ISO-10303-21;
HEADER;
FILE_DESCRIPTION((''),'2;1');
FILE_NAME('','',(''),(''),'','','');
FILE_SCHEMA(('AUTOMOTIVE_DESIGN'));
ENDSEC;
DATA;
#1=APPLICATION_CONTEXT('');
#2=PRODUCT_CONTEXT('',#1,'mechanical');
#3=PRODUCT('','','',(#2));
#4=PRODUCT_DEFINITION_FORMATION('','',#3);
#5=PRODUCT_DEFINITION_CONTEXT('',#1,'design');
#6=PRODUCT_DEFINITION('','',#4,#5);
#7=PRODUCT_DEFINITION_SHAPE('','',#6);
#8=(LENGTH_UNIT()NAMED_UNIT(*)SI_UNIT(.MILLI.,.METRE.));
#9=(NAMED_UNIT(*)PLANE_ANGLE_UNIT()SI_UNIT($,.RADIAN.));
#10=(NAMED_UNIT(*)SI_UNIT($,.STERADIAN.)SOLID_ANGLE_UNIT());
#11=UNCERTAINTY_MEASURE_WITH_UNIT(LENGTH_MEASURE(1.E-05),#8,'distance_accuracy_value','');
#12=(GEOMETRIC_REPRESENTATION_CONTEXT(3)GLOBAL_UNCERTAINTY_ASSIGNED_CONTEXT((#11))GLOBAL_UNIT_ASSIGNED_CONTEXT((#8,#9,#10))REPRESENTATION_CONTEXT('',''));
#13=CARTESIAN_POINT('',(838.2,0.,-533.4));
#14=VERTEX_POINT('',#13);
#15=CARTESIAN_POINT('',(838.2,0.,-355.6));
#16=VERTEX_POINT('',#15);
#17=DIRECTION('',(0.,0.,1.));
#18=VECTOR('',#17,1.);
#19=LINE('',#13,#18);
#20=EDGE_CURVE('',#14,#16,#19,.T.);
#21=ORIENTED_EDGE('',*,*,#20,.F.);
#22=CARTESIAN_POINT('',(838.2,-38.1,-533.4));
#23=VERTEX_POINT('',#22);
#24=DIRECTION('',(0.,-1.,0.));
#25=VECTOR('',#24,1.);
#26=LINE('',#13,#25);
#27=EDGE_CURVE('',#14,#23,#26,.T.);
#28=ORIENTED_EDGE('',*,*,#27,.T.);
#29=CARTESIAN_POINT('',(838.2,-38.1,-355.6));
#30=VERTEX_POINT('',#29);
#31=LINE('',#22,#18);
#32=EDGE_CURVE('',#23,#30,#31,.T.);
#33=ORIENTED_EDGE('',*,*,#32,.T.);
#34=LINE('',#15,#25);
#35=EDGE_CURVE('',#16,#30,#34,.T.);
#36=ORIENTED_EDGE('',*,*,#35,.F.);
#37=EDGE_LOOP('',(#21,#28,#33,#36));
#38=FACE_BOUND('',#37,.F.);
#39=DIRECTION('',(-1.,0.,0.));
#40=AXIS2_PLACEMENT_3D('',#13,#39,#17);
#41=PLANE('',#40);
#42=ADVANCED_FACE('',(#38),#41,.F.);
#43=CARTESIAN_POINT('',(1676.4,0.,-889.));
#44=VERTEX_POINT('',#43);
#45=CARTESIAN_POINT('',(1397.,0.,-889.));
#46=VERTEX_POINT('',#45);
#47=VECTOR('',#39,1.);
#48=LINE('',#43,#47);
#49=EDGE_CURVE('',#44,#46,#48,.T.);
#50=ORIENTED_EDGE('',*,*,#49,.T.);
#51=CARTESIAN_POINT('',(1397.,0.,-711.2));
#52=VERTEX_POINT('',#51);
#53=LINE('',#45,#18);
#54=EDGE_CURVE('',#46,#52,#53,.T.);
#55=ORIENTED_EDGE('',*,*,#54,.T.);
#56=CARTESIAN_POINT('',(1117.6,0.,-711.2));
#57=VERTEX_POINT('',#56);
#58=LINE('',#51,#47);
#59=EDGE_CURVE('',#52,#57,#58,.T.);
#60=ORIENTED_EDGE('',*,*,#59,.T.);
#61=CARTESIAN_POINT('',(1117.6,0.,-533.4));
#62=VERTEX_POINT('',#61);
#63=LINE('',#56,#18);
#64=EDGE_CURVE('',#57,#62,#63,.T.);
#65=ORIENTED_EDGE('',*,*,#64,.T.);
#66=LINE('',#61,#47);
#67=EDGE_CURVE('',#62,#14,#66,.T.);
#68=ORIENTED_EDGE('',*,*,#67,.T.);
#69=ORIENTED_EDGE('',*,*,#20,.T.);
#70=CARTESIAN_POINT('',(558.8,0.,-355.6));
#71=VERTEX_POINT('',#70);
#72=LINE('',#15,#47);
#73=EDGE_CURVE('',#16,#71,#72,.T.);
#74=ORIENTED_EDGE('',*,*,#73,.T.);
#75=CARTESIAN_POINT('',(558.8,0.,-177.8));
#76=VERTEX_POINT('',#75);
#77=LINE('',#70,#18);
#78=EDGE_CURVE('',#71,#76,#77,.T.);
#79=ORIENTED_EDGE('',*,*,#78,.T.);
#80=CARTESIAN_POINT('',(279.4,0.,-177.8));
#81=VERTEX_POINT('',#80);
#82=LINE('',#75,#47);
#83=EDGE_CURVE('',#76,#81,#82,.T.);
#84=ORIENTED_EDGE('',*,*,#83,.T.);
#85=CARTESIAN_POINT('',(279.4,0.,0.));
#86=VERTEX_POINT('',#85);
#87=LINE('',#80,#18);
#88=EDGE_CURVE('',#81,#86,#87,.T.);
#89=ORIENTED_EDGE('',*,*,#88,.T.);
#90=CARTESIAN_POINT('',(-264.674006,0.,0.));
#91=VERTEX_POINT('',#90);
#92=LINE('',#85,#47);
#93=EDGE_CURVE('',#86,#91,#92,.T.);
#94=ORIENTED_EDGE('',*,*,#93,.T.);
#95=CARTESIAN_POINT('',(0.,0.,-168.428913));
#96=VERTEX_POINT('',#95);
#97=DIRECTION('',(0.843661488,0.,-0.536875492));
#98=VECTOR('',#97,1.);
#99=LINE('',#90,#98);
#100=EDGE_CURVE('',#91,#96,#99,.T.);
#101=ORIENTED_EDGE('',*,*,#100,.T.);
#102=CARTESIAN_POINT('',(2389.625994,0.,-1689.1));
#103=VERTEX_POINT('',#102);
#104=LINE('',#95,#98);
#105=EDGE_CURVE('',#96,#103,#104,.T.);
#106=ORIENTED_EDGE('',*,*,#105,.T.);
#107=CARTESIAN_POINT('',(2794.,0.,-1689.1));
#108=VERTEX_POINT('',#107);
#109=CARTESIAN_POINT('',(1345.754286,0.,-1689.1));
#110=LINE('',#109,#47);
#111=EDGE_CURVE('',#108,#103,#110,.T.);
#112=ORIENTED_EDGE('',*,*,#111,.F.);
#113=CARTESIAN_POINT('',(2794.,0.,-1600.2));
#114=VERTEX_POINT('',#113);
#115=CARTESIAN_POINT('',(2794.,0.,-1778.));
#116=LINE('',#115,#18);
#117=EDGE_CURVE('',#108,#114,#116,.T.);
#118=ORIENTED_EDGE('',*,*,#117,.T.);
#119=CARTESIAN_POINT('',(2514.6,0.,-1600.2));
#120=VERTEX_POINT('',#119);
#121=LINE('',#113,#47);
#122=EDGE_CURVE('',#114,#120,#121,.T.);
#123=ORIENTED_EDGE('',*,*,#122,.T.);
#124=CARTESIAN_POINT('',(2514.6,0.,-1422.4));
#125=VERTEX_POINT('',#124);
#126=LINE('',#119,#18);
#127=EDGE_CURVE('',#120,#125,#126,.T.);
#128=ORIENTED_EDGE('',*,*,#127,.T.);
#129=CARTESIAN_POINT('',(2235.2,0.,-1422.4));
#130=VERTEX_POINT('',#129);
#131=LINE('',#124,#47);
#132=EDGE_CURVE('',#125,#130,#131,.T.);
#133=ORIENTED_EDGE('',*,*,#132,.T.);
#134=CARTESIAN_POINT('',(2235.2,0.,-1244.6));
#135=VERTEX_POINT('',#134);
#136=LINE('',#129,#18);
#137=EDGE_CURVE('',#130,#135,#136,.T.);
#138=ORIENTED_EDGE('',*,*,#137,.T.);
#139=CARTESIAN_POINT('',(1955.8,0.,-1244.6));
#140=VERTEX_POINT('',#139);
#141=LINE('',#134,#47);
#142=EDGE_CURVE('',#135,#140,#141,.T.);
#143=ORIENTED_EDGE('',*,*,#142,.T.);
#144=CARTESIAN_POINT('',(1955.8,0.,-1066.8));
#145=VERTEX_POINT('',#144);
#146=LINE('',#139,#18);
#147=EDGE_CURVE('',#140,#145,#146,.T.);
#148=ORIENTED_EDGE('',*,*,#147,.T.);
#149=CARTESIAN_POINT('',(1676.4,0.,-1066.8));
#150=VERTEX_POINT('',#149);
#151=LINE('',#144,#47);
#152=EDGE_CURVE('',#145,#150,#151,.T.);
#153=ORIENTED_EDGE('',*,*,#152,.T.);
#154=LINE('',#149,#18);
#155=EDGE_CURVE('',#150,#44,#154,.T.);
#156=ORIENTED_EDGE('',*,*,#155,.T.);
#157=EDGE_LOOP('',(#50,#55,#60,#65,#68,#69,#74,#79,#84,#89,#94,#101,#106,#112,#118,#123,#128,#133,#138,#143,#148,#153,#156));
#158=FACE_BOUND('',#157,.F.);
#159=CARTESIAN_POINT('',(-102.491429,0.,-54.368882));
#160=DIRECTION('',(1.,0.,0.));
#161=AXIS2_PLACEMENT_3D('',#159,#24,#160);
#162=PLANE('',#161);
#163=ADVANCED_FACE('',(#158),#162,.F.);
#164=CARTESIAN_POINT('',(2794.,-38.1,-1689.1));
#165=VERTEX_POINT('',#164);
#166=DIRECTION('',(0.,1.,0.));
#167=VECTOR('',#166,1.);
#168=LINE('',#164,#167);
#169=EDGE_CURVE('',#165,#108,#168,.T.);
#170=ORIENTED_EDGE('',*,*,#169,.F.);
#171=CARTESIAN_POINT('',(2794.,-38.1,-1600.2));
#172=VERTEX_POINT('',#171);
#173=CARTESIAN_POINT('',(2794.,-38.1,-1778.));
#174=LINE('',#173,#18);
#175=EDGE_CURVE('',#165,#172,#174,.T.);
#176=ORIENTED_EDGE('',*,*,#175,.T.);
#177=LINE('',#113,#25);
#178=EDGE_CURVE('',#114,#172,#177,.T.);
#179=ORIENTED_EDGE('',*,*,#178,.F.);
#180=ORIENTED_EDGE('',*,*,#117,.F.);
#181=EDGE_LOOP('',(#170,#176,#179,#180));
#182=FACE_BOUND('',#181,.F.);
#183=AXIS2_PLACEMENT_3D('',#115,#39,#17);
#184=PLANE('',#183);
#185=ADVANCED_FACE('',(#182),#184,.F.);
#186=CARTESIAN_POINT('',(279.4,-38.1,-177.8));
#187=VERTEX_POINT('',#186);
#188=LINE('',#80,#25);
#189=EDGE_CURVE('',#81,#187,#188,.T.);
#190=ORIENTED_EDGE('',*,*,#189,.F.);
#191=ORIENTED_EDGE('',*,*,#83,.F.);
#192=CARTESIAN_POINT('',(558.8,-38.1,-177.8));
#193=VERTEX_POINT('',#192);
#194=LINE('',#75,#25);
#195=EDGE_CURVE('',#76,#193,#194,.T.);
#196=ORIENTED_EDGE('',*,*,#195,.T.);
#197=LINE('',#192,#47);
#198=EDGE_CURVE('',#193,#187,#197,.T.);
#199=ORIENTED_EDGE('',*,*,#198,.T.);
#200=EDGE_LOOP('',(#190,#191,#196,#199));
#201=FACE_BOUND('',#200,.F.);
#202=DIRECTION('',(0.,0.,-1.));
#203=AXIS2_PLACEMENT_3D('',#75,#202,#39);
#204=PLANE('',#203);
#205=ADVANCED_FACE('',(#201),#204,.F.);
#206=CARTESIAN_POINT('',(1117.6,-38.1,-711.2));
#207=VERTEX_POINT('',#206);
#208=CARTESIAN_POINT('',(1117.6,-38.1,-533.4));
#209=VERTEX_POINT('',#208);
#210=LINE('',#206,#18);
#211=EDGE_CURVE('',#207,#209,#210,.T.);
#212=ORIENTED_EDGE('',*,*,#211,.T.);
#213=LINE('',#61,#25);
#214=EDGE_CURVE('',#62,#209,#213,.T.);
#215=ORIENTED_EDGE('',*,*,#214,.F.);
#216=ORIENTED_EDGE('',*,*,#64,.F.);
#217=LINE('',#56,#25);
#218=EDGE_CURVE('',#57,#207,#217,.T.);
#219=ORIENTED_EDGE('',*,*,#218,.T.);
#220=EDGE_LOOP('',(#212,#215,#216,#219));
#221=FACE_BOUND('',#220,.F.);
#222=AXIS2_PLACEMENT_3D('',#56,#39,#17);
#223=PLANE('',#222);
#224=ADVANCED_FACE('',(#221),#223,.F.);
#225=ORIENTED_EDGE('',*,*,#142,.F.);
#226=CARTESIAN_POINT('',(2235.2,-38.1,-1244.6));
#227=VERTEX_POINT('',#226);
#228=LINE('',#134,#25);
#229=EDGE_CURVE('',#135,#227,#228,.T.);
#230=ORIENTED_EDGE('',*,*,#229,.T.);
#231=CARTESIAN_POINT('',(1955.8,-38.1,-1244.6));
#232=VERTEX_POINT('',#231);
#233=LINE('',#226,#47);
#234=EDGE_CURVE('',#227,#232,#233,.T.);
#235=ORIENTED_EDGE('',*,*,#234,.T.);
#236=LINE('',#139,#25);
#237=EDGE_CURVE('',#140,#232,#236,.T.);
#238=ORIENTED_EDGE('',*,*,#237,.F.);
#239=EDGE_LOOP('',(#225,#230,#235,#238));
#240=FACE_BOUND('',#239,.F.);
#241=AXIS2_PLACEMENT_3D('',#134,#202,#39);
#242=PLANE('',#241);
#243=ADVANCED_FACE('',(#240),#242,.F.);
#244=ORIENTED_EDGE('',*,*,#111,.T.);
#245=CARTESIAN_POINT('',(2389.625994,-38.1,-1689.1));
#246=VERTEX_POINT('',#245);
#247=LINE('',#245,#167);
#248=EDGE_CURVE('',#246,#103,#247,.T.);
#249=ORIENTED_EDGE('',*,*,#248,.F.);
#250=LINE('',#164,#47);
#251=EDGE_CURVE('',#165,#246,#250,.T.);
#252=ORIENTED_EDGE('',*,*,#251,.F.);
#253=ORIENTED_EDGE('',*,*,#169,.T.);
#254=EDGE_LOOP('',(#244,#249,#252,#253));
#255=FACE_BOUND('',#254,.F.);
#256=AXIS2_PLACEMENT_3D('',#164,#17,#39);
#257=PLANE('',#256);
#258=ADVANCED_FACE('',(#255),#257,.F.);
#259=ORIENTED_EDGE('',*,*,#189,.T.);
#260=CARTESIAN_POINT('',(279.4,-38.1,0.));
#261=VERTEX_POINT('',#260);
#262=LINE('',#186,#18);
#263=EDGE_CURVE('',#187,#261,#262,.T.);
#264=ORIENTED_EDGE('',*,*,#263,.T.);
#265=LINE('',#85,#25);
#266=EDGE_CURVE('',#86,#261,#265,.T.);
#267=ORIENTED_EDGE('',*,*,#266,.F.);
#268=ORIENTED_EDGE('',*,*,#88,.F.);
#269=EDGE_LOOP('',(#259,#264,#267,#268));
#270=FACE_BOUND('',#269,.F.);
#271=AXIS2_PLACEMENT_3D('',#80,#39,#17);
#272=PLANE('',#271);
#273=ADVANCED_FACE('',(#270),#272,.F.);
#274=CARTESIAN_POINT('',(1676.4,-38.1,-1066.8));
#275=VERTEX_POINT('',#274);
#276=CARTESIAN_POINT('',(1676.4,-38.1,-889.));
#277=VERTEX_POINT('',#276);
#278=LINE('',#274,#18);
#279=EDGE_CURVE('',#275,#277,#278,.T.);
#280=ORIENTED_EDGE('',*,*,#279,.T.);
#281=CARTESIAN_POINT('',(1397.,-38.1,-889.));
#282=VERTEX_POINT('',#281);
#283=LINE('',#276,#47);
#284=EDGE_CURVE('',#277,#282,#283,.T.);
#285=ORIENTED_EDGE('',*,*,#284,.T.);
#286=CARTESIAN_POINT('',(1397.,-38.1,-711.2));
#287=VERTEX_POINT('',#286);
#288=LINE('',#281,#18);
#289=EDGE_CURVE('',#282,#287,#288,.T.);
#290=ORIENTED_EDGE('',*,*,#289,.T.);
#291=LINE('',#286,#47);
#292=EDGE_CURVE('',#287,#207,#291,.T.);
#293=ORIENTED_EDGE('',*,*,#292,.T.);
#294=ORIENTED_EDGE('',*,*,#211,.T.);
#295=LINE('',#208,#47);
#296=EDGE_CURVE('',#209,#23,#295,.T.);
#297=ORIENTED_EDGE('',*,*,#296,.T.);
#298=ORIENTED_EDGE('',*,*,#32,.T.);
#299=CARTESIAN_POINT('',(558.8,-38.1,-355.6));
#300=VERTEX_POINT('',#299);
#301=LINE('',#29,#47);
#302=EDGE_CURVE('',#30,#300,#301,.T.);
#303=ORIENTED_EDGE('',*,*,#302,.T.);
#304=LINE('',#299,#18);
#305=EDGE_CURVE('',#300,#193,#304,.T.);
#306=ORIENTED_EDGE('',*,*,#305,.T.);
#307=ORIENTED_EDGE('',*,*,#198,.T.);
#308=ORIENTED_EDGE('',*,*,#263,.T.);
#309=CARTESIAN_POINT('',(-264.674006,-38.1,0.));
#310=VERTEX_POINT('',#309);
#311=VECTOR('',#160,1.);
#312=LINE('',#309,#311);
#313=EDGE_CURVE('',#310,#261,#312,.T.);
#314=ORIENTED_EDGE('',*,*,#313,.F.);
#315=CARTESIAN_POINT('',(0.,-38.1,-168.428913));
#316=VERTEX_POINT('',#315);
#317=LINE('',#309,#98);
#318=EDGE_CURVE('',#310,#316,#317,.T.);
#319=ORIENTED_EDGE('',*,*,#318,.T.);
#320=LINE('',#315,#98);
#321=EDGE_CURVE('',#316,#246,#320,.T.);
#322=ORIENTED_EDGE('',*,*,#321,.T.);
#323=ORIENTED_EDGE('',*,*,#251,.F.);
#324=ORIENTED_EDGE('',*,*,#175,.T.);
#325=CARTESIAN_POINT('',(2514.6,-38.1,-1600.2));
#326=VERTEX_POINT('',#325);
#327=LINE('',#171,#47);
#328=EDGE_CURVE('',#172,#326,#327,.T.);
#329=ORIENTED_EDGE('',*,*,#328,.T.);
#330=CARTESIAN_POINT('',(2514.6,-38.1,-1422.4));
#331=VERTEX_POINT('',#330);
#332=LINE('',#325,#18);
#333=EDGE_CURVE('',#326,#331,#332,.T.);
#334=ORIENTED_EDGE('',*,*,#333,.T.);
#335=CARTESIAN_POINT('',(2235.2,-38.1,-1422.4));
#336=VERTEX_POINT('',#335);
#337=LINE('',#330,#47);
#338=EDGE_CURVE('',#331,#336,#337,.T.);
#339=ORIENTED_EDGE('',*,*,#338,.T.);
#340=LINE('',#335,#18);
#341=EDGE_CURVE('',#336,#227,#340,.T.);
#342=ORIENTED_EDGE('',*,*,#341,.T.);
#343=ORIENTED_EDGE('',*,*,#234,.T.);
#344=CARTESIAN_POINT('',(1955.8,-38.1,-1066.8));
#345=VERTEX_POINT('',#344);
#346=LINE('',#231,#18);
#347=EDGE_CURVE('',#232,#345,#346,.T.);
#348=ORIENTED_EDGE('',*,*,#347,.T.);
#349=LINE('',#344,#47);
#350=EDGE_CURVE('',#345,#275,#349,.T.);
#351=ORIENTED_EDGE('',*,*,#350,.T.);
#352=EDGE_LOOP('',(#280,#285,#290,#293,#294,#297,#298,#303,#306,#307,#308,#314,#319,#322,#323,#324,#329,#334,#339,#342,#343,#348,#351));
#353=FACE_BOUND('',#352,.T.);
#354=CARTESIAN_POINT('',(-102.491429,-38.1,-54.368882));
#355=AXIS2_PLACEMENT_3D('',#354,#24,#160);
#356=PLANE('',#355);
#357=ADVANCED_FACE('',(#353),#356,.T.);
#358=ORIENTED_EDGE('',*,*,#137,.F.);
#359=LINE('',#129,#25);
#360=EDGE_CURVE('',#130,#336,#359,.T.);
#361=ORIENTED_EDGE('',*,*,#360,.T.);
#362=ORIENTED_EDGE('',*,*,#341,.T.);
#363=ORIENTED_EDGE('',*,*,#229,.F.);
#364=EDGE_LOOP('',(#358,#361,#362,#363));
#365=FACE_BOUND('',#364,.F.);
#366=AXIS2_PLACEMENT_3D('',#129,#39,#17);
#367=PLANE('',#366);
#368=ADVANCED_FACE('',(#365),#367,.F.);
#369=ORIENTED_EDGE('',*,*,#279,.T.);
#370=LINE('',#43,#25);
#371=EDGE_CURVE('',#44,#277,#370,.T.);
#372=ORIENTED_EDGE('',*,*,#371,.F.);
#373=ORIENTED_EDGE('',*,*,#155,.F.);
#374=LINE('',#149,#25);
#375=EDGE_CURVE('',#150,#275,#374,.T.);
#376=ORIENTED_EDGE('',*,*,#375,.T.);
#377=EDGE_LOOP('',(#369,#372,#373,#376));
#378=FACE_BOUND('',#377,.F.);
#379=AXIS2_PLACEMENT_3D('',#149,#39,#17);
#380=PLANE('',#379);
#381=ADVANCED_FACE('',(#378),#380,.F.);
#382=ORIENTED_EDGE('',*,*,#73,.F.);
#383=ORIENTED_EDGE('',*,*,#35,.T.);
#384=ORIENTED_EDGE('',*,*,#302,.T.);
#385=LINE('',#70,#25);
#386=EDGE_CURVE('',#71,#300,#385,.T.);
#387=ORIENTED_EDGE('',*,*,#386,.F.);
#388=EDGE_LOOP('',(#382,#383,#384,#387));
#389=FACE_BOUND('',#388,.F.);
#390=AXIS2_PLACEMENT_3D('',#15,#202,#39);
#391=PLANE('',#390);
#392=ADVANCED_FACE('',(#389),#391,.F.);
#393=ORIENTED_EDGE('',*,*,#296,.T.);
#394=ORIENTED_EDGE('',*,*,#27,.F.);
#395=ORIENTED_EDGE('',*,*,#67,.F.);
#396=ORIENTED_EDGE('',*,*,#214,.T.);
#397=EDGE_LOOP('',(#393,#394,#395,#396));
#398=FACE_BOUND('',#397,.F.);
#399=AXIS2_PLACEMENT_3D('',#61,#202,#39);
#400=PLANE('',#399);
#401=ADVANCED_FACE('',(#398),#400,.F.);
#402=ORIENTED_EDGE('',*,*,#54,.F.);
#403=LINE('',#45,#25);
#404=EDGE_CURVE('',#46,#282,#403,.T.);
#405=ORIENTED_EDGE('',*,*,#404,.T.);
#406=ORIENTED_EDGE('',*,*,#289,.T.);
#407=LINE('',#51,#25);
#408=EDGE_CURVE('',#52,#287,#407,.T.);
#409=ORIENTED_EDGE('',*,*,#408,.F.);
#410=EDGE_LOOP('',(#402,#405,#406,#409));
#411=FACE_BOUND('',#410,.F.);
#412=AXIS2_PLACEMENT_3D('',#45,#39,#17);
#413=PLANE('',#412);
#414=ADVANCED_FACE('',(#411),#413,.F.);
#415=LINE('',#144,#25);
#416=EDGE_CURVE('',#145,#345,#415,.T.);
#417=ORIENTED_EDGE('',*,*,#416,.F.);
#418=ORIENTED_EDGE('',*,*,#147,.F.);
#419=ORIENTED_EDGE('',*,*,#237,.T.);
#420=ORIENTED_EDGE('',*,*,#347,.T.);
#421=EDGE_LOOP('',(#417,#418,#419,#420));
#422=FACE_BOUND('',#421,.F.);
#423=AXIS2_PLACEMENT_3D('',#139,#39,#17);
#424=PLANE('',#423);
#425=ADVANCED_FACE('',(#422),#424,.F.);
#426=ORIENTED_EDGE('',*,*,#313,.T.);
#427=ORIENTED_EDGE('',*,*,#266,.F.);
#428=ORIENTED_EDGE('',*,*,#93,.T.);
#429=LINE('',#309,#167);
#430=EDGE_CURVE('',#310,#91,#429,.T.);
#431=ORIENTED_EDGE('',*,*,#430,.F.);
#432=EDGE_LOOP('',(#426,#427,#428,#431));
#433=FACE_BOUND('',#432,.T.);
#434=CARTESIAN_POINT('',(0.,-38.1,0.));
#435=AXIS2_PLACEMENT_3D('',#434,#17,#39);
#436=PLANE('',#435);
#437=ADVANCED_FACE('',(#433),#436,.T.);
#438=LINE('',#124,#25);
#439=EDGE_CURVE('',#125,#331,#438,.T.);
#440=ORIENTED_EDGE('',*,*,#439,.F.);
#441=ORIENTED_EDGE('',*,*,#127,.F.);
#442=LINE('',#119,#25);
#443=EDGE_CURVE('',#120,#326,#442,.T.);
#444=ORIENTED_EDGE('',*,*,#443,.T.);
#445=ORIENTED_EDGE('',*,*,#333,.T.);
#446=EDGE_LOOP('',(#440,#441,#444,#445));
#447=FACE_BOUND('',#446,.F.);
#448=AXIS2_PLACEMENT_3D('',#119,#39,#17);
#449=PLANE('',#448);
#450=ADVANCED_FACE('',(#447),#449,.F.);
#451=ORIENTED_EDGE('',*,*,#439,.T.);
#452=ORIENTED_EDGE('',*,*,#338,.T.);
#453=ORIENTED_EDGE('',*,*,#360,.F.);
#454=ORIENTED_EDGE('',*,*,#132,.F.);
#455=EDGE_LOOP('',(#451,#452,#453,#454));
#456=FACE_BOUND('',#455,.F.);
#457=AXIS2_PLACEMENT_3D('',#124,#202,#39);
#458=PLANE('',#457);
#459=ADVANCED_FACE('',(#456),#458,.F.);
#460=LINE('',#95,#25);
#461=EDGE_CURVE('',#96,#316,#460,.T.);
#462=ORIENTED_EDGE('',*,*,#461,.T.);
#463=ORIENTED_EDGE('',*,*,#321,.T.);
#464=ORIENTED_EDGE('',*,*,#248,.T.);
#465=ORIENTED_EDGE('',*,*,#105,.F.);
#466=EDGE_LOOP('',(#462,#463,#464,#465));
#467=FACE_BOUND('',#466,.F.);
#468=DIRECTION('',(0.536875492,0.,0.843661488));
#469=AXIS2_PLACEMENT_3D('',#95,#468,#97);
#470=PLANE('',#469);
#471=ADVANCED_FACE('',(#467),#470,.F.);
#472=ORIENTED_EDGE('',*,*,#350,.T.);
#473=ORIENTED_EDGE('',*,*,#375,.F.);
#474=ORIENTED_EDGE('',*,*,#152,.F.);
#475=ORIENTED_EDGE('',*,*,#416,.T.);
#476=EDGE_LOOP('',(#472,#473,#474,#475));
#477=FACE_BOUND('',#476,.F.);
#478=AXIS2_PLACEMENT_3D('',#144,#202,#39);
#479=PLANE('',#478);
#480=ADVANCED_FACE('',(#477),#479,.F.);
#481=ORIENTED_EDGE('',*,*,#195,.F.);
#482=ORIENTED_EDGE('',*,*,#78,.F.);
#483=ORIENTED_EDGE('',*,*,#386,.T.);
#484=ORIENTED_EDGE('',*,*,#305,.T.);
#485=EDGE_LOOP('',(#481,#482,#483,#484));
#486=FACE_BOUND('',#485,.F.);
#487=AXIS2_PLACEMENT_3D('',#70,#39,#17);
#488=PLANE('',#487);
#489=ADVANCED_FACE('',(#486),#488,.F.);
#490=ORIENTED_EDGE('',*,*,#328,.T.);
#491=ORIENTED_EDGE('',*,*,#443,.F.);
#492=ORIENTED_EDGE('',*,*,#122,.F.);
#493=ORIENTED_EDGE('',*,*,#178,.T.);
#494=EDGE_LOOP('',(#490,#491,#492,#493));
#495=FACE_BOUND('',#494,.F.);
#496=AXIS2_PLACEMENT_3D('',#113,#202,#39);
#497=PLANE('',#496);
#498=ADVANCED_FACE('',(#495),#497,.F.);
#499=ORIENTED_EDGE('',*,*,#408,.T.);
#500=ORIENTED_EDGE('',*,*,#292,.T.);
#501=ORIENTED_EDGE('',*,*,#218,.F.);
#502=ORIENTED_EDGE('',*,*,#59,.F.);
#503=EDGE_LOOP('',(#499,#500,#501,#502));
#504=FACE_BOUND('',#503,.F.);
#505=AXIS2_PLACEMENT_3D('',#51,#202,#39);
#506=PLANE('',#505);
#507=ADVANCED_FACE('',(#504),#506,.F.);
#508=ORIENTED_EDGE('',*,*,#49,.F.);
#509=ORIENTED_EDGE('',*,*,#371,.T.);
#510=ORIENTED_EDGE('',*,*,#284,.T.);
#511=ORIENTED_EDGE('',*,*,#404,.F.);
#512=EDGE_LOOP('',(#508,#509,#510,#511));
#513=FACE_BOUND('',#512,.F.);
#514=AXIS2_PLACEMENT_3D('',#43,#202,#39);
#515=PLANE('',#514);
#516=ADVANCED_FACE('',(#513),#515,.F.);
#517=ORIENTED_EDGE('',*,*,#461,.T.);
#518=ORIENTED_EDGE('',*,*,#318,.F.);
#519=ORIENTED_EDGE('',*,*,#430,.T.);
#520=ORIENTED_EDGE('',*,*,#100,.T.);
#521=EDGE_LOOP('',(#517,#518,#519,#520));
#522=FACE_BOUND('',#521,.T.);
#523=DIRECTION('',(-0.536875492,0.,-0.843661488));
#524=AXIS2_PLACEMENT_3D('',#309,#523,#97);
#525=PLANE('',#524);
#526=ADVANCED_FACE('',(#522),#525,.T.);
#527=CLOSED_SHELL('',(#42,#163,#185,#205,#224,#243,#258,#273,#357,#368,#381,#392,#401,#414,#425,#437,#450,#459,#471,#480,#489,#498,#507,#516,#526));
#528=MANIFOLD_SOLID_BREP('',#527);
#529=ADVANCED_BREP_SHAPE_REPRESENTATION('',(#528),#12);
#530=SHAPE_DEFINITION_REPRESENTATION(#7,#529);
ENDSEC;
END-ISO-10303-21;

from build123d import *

# Parameters (mm, degrees)
F1_DEPTH = 38.1
F3_DEPTH = 38.1
F5_DEPTH = 38.101


with BuildPart() as f1:
    # F0 (on Front) → F1 (new body)
    with BuildSketch(Plane.XZ):
        Polygon((279.4, 0), (0, 0), (0, -168.428913), (2529.325994, -1778), (2794, -1778), (2794, -1600.2), (2514.6, -1600.2), (2514.6, -1422.4), (2235.2, -1422.4), (2235.2, -1244.6), (1955.8, -1244.6), (1955.8, -1066.8), (1676.4, -1066.8), (1676.4, -889), (1397, -889), (1397, -711.2), (1117.6, -711.2), (1117.6, -533.4), (838.2, -533.4), (838.2, -355.6), (558.8, -355.6), (558.8, -177.8), (279.4, -177.8), align=None)
    extrude(amount=F1_DEPTH)

    # F2 (on face) → F3 (join)
    with BuildSketch(Plane.XZ.offset(38.1)):
        Polygon((0, -168.428913), (0, 0), (-264.674006, 0), align=None)
    extrude(amount=-F3_DEPTH)

    # F4 (on face) → F5 (cut, through all)
    with BuildSketch(Plane.XZ.offset(38.1)):
        Polygon((2794, -1778), (2794, -1689.1), (2389.625994, -1689.1), (2529.325994, -1778), align=None)
    extrude(amount=-F5_DEPTH, mode=Mode.SUBTRACT)


solid = f1.part
